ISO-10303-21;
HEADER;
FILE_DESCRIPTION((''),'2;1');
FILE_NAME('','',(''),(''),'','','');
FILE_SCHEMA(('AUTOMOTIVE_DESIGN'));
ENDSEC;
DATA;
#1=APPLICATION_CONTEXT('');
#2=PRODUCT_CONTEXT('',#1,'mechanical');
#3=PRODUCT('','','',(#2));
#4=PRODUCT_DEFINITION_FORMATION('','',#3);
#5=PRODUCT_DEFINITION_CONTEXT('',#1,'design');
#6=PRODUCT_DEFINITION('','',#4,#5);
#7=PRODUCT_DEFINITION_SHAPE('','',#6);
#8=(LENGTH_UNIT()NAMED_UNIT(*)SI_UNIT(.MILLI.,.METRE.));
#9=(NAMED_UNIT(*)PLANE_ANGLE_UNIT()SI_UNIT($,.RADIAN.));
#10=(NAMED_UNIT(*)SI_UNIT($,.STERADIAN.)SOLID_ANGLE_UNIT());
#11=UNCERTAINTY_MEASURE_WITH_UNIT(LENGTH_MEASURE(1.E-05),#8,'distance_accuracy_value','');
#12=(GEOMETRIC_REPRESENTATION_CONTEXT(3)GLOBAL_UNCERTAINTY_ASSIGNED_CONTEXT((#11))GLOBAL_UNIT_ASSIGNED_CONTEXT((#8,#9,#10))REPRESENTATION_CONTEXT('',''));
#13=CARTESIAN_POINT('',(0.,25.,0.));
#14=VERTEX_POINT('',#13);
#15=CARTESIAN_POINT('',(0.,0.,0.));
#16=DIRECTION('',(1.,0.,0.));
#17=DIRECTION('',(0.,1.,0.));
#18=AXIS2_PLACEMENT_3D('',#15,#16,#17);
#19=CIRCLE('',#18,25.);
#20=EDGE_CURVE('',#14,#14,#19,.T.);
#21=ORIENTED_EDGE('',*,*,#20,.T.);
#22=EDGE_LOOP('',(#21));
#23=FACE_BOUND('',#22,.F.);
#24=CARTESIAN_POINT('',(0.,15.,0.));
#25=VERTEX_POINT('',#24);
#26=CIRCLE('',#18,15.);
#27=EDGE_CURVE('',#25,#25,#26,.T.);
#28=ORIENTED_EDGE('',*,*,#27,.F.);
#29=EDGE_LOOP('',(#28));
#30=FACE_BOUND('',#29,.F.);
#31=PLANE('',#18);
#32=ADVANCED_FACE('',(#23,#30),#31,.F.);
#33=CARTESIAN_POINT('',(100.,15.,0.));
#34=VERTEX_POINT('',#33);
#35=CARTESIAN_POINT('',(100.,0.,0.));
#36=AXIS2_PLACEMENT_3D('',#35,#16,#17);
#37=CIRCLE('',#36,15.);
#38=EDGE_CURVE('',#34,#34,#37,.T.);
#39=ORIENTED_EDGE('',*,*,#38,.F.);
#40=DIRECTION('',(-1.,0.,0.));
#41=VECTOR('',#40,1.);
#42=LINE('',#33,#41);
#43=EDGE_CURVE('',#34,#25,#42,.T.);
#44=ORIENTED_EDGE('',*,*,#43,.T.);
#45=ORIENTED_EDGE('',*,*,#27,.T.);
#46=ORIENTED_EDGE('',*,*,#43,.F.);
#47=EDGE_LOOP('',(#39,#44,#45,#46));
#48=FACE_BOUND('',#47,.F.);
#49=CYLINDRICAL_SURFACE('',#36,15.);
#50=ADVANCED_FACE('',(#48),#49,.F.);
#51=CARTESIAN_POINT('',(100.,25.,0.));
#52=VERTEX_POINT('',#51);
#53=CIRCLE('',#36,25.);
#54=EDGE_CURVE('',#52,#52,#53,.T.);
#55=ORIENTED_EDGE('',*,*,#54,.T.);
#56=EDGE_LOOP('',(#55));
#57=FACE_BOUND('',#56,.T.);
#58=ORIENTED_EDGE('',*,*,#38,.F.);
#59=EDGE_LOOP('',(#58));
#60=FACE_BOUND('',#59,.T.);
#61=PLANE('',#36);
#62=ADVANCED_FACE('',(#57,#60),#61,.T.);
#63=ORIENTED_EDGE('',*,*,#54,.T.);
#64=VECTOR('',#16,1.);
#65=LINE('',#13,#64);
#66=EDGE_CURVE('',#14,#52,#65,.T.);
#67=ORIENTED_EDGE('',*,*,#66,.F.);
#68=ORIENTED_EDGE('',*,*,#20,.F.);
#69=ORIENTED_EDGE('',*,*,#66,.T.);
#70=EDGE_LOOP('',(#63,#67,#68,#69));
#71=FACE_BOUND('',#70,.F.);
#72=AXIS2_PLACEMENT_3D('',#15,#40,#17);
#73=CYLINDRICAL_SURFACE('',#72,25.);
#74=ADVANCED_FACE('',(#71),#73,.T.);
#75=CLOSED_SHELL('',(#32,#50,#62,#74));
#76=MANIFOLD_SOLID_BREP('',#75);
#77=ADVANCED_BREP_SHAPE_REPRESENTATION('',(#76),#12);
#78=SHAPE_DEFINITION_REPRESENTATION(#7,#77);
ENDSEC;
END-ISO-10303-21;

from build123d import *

# Parameters (mm, degrees)
F0_R     = 25
F1_DEPTH = 100
F2_R     = 15
F3_DEPTH = 100.001


with BuildPart() as f1:
    # F0 (on Right) → F1 (new body)
    with BuildSketch(Plane.YZ):
        Circle(F0_R)
    extrude(amount=F1_DEPTH)

    # F2 (on face) → F3 (cut, through all)
    with BuildSketch(Plane.YZ.offset(100)):
        Circle(F2_R)
    extrude(amount=-F3_DEPTH, mode=Mode.SUBTRACT)


solid = f1.part
